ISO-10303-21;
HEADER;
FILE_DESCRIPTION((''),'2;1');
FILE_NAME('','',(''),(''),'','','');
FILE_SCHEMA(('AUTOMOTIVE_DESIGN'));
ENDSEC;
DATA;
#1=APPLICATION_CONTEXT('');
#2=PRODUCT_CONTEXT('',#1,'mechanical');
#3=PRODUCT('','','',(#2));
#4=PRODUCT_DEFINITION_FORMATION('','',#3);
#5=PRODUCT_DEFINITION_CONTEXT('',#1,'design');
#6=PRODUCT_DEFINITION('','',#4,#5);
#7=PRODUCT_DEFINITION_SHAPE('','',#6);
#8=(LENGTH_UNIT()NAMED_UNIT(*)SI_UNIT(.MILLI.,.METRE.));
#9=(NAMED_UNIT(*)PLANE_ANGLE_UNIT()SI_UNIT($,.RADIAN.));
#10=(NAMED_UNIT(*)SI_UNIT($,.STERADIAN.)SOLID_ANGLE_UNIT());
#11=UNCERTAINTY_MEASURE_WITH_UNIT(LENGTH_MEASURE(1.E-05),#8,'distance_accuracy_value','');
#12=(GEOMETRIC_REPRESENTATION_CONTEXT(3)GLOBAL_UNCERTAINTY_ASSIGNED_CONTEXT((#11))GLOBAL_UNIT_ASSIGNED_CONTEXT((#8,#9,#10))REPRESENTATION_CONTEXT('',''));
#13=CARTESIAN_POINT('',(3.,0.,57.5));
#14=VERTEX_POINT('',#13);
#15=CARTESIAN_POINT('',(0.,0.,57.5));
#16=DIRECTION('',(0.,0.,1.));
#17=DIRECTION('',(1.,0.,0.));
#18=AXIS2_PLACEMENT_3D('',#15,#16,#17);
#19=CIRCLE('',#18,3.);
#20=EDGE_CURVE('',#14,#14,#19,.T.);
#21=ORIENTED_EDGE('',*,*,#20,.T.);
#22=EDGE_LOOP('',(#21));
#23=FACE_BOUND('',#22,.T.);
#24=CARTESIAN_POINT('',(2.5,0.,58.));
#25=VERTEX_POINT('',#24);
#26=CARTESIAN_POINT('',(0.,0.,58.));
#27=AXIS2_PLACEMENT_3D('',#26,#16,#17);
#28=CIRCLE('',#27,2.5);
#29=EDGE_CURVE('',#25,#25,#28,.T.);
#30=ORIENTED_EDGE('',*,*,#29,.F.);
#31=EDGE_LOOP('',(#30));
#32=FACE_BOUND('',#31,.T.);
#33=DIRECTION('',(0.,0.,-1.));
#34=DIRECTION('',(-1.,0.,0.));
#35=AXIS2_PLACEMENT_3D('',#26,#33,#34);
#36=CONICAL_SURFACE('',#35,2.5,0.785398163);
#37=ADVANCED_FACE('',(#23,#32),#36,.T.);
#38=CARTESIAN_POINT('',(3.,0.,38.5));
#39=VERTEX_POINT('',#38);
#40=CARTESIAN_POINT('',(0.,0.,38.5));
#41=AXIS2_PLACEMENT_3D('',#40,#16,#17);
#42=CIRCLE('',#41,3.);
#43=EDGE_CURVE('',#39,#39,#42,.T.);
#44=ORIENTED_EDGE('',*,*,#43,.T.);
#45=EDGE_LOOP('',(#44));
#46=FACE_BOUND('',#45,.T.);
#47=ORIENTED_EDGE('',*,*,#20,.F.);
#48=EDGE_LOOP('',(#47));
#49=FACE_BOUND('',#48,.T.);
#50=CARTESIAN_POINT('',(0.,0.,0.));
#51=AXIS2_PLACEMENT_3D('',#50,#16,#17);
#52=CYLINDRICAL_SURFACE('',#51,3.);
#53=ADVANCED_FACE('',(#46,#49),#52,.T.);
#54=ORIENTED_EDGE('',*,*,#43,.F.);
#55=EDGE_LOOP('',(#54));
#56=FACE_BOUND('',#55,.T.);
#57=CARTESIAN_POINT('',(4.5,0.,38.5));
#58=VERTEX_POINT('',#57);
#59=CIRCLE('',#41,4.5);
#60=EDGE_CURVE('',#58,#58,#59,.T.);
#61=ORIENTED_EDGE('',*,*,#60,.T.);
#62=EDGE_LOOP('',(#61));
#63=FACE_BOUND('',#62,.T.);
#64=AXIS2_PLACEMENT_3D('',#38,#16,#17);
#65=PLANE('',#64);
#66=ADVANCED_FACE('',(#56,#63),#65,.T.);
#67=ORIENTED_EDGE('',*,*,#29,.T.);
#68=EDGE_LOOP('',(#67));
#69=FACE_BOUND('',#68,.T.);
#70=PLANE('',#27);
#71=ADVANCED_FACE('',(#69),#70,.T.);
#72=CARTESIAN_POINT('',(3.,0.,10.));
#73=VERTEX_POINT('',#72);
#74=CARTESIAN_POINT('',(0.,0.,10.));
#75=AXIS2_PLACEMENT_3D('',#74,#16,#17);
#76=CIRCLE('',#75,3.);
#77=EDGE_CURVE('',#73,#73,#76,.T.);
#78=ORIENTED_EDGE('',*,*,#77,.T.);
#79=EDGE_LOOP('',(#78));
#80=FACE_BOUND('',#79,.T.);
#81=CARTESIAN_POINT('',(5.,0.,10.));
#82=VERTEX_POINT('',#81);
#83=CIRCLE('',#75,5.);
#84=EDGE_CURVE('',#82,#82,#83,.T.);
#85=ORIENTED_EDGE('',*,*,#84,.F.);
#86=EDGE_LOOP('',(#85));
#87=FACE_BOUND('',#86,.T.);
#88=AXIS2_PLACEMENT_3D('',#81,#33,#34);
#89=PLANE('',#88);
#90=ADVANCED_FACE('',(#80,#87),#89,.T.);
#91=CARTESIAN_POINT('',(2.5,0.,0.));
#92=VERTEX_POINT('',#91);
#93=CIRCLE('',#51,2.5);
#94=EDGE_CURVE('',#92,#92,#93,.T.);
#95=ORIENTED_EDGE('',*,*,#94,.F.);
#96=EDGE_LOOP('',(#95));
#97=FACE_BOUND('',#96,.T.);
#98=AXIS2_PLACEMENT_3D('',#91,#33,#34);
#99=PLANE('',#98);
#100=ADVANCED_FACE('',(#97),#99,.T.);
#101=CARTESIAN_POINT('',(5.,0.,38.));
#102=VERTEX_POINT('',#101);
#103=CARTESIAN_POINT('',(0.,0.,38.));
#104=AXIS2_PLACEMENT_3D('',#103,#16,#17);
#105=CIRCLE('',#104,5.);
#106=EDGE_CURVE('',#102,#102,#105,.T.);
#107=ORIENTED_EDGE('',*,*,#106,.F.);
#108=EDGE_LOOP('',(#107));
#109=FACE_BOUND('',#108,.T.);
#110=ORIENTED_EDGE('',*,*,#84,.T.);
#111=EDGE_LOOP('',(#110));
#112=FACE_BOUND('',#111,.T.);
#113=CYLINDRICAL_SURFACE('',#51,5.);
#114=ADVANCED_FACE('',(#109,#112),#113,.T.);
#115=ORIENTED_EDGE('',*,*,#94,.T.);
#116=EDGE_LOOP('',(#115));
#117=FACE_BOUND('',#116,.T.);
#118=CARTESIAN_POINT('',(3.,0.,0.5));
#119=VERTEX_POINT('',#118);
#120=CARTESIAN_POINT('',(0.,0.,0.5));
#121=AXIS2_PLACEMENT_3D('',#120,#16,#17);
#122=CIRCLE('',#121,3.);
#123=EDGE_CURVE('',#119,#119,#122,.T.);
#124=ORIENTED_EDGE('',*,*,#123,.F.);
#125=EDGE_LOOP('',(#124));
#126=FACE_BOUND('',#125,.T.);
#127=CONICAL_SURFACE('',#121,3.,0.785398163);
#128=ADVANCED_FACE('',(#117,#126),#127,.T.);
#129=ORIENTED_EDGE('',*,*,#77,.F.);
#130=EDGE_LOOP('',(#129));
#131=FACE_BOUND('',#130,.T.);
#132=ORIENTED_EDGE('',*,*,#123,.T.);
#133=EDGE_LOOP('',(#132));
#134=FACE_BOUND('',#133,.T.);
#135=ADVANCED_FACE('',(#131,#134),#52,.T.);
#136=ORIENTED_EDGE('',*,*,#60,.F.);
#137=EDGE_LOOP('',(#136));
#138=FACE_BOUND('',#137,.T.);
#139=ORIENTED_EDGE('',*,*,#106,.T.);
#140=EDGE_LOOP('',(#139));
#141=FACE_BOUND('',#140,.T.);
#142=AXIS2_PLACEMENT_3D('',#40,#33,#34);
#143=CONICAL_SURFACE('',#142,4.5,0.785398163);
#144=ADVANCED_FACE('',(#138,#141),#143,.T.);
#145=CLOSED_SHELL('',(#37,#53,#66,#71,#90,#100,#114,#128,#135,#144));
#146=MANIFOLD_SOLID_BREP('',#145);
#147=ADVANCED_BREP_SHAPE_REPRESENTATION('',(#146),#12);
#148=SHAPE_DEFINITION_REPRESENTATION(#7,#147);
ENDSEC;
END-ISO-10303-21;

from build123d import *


with BuildPart() as part:
    # Sketch1 → Revolve1 (revolve)
    with BuildSketch(Plane(origin=(0, 0, 0), x_dir=(1, 0, 0), z_dir=(0, 1, 0))):
        Polygon((2.5, 0), (0, 0), (0, -58), (2.5, -58), (3, -57.5), (3, -38.5), (4.5, -38.5), (5, -38), (5, -10), (3, -10), (3, -0.5), align=None)
    revolve(axis=Axis((0, 0, 0), (0, 0, 1)))


solid = part.part
